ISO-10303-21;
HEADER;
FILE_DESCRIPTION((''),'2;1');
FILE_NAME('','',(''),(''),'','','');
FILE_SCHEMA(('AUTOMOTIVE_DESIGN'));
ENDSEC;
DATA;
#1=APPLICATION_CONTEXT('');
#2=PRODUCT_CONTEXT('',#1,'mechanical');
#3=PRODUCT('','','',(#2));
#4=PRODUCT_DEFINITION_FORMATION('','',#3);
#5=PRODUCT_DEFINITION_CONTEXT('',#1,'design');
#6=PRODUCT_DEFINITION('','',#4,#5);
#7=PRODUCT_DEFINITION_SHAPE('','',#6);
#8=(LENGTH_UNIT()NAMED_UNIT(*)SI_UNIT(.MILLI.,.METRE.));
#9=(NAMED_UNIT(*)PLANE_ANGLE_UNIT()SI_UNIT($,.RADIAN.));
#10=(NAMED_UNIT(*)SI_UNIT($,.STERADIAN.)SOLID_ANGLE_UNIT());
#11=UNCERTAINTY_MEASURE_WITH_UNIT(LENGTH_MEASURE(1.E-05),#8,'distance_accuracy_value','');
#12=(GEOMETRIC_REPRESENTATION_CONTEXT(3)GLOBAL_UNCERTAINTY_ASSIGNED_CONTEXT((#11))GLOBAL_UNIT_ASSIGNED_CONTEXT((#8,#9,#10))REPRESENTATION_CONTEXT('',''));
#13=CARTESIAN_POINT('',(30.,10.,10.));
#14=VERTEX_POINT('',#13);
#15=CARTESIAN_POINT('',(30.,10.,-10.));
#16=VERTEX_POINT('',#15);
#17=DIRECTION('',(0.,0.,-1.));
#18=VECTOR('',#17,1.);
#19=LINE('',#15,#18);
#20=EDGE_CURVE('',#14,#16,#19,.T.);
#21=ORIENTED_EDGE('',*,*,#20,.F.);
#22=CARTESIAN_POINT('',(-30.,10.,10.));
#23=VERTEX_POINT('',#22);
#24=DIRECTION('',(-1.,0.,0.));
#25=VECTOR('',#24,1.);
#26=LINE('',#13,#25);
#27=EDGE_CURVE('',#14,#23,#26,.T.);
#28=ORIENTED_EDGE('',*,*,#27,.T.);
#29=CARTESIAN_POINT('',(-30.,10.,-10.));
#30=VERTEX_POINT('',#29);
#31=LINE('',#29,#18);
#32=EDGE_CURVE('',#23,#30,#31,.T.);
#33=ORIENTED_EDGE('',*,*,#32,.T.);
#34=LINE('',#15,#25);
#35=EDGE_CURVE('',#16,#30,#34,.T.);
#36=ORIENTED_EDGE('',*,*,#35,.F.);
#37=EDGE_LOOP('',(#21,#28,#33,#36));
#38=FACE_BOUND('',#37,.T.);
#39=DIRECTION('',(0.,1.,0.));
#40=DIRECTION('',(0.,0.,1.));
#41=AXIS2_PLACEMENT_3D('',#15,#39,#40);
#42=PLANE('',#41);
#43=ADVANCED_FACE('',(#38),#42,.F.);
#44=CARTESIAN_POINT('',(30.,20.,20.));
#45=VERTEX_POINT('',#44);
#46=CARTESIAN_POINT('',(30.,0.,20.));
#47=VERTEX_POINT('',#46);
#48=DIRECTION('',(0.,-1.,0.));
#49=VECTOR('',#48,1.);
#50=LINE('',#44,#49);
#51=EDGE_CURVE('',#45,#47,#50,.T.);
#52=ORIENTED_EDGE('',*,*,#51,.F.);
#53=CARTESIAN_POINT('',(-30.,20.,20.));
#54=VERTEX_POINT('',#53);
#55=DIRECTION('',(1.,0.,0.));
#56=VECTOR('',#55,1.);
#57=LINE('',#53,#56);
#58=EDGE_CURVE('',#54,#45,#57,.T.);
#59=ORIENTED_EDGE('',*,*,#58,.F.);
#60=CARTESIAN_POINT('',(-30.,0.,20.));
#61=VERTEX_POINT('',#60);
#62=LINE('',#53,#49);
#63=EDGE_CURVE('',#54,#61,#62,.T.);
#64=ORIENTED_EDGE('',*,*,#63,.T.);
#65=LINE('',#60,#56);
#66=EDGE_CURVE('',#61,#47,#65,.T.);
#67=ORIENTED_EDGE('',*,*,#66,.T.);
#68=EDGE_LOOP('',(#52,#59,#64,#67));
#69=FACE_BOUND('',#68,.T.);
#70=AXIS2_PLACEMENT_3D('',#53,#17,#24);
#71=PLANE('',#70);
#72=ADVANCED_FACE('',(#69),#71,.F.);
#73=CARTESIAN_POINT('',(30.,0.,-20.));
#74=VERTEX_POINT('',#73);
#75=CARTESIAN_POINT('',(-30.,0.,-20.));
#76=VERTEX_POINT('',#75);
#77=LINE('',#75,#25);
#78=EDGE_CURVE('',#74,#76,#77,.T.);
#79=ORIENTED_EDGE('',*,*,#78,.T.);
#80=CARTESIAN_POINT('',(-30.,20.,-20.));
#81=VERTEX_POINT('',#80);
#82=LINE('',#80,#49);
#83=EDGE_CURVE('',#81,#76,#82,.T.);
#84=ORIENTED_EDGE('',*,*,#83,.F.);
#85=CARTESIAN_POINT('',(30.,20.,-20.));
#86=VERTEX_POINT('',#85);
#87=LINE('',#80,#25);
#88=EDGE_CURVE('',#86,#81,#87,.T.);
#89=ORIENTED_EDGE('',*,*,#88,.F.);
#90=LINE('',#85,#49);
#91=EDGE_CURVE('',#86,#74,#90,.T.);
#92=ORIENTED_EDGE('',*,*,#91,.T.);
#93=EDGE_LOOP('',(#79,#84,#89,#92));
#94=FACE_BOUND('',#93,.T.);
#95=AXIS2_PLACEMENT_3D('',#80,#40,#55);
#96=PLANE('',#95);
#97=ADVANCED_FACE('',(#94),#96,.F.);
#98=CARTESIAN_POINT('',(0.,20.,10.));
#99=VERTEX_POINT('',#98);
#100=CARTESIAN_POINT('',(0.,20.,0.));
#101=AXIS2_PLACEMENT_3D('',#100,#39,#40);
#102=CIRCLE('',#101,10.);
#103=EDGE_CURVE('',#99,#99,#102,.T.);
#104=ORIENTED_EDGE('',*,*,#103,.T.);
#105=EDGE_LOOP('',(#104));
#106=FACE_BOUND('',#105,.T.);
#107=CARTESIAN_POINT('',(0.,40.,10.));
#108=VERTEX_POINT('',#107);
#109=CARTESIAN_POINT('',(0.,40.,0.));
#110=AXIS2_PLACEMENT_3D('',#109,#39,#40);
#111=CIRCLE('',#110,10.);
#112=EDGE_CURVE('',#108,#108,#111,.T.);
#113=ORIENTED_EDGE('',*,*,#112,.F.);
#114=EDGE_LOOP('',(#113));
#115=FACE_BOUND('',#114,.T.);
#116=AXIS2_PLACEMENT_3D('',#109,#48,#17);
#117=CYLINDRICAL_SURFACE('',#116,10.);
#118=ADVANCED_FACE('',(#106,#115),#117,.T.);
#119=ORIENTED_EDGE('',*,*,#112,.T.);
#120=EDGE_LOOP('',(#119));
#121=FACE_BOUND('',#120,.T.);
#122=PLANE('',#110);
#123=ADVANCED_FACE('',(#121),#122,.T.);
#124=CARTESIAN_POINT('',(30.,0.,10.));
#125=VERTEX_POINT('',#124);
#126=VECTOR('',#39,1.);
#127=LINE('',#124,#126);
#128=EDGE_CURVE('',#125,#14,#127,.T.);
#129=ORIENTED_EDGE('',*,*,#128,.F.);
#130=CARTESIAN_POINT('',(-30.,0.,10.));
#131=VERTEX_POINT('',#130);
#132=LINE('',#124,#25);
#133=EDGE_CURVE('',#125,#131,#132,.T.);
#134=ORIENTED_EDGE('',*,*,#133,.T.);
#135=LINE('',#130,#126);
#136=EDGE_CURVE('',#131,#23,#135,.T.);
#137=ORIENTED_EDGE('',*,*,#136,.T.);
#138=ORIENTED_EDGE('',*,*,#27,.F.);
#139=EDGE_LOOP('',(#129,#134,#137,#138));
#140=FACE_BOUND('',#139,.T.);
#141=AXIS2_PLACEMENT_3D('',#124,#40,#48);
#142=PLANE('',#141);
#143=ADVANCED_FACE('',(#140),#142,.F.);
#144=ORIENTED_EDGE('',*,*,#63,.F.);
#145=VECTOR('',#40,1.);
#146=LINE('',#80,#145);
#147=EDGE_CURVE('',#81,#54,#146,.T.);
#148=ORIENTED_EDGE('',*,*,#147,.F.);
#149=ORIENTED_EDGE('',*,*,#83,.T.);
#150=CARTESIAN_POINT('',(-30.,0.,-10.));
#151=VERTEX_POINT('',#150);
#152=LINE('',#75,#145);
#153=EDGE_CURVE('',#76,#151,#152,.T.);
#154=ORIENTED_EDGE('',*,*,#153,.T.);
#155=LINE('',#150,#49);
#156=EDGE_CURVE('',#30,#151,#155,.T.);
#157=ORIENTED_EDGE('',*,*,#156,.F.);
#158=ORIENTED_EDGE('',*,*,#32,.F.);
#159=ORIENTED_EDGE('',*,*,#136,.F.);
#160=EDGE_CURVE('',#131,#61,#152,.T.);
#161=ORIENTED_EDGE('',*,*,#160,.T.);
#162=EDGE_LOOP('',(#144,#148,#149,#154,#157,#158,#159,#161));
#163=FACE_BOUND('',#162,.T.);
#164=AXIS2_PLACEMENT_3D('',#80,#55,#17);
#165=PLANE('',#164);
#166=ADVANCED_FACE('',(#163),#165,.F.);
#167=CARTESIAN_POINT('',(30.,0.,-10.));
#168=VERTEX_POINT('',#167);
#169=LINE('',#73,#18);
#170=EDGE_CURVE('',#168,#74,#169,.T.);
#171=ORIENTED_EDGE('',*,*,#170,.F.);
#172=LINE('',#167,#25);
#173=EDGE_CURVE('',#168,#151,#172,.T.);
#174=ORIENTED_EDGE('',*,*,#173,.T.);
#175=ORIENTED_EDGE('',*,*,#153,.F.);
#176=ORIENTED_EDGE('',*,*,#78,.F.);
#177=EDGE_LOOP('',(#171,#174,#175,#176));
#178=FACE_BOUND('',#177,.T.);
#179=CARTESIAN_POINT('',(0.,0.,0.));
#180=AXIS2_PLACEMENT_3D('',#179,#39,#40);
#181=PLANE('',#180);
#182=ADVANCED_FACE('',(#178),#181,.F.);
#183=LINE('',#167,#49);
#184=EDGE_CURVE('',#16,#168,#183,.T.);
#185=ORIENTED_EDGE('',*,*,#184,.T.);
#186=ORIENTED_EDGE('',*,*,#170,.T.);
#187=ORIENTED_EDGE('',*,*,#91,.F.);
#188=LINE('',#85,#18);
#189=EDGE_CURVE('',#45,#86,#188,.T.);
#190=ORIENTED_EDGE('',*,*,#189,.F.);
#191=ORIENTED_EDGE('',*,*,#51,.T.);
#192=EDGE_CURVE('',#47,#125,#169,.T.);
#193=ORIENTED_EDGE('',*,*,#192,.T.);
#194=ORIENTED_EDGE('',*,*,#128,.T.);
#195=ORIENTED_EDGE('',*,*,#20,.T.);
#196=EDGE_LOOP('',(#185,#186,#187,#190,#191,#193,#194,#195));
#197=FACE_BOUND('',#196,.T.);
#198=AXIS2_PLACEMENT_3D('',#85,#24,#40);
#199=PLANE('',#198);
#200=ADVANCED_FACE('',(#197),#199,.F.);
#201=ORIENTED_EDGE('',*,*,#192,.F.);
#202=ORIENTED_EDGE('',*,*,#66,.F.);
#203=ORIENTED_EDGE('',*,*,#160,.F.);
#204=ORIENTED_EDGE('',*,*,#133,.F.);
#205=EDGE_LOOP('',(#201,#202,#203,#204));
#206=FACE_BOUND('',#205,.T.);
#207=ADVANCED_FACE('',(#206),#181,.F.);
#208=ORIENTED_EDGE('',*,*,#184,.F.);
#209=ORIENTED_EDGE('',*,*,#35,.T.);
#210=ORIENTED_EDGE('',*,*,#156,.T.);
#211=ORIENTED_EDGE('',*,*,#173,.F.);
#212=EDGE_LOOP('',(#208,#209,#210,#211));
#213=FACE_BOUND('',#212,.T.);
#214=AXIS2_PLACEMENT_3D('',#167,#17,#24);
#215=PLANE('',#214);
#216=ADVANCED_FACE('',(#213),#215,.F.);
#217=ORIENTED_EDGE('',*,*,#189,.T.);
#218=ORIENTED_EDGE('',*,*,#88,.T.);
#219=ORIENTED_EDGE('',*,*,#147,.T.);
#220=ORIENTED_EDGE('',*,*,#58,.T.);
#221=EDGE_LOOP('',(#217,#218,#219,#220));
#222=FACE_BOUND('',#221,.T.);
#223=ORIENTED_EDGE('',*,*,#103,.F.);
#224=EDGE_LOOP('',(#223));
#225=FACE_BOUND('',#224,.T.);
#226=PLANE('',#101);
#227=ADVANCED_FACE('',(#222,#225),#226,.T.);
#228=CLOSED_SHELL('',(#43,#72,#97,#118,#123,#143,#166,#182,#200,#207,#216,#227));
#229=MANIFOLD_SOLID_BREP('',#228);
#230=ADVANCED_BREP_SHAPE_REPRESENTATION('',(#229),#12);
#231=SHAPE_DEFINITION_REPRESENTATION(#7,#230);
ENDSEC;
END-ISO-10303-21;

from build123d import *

# Parameters (mm, degrees)
SKETCH1_W           = 60
SKETCH1_H           = 40
BOSS_EXTRUDE1_DEPTH = 20
SKETCH2_R           = 10
BOSS_EXTRUDE2_DEPTH = 20
SKETCH4_W           = 20
SKETCH4_H           = 10
CUT_EXTRUDE1_DEPTH  = 75.833147735


with BuildPart() as part:
    # Sketch1 → Boss-Extrude1 (new body)
    with BuildSketch(Plane(origin=(0, 0, 0), x_dir=(1, 0, 0), z_dir=(0, 1, 0))):
        Rectangle(SKETCH1_W, SKETCH1_H)
    extrude(amount=BOSS_EXTRUDE1_DEPTH)

    # Sketch2 → Boss-Extrude2 (add)
    with BuildSketch(Plane(origin=(0, 20, 0), x_dir=(1, 0, 0), z_dir=(0, 1, 0))):
        with Locations(Location((0, 0, 0), (0, 0, 270))):
            Circle(SKETCH2_R)
    extrude(amount=BOSS_EXTRUDE2_DEPTH)

    # Sketch4 → Cut-Extrude1 (cut, through all)
    with BuildSketch(Plane.ZY.offset(30)):
        with Locations((0, 5)):
            Rectangle(SKETCH4_W, SKETCH4_H)
    extrude(amount=-CUT_EXTRUDE1_DEPTH, mode=Mode.SUBTRACT)


solid = part.part
